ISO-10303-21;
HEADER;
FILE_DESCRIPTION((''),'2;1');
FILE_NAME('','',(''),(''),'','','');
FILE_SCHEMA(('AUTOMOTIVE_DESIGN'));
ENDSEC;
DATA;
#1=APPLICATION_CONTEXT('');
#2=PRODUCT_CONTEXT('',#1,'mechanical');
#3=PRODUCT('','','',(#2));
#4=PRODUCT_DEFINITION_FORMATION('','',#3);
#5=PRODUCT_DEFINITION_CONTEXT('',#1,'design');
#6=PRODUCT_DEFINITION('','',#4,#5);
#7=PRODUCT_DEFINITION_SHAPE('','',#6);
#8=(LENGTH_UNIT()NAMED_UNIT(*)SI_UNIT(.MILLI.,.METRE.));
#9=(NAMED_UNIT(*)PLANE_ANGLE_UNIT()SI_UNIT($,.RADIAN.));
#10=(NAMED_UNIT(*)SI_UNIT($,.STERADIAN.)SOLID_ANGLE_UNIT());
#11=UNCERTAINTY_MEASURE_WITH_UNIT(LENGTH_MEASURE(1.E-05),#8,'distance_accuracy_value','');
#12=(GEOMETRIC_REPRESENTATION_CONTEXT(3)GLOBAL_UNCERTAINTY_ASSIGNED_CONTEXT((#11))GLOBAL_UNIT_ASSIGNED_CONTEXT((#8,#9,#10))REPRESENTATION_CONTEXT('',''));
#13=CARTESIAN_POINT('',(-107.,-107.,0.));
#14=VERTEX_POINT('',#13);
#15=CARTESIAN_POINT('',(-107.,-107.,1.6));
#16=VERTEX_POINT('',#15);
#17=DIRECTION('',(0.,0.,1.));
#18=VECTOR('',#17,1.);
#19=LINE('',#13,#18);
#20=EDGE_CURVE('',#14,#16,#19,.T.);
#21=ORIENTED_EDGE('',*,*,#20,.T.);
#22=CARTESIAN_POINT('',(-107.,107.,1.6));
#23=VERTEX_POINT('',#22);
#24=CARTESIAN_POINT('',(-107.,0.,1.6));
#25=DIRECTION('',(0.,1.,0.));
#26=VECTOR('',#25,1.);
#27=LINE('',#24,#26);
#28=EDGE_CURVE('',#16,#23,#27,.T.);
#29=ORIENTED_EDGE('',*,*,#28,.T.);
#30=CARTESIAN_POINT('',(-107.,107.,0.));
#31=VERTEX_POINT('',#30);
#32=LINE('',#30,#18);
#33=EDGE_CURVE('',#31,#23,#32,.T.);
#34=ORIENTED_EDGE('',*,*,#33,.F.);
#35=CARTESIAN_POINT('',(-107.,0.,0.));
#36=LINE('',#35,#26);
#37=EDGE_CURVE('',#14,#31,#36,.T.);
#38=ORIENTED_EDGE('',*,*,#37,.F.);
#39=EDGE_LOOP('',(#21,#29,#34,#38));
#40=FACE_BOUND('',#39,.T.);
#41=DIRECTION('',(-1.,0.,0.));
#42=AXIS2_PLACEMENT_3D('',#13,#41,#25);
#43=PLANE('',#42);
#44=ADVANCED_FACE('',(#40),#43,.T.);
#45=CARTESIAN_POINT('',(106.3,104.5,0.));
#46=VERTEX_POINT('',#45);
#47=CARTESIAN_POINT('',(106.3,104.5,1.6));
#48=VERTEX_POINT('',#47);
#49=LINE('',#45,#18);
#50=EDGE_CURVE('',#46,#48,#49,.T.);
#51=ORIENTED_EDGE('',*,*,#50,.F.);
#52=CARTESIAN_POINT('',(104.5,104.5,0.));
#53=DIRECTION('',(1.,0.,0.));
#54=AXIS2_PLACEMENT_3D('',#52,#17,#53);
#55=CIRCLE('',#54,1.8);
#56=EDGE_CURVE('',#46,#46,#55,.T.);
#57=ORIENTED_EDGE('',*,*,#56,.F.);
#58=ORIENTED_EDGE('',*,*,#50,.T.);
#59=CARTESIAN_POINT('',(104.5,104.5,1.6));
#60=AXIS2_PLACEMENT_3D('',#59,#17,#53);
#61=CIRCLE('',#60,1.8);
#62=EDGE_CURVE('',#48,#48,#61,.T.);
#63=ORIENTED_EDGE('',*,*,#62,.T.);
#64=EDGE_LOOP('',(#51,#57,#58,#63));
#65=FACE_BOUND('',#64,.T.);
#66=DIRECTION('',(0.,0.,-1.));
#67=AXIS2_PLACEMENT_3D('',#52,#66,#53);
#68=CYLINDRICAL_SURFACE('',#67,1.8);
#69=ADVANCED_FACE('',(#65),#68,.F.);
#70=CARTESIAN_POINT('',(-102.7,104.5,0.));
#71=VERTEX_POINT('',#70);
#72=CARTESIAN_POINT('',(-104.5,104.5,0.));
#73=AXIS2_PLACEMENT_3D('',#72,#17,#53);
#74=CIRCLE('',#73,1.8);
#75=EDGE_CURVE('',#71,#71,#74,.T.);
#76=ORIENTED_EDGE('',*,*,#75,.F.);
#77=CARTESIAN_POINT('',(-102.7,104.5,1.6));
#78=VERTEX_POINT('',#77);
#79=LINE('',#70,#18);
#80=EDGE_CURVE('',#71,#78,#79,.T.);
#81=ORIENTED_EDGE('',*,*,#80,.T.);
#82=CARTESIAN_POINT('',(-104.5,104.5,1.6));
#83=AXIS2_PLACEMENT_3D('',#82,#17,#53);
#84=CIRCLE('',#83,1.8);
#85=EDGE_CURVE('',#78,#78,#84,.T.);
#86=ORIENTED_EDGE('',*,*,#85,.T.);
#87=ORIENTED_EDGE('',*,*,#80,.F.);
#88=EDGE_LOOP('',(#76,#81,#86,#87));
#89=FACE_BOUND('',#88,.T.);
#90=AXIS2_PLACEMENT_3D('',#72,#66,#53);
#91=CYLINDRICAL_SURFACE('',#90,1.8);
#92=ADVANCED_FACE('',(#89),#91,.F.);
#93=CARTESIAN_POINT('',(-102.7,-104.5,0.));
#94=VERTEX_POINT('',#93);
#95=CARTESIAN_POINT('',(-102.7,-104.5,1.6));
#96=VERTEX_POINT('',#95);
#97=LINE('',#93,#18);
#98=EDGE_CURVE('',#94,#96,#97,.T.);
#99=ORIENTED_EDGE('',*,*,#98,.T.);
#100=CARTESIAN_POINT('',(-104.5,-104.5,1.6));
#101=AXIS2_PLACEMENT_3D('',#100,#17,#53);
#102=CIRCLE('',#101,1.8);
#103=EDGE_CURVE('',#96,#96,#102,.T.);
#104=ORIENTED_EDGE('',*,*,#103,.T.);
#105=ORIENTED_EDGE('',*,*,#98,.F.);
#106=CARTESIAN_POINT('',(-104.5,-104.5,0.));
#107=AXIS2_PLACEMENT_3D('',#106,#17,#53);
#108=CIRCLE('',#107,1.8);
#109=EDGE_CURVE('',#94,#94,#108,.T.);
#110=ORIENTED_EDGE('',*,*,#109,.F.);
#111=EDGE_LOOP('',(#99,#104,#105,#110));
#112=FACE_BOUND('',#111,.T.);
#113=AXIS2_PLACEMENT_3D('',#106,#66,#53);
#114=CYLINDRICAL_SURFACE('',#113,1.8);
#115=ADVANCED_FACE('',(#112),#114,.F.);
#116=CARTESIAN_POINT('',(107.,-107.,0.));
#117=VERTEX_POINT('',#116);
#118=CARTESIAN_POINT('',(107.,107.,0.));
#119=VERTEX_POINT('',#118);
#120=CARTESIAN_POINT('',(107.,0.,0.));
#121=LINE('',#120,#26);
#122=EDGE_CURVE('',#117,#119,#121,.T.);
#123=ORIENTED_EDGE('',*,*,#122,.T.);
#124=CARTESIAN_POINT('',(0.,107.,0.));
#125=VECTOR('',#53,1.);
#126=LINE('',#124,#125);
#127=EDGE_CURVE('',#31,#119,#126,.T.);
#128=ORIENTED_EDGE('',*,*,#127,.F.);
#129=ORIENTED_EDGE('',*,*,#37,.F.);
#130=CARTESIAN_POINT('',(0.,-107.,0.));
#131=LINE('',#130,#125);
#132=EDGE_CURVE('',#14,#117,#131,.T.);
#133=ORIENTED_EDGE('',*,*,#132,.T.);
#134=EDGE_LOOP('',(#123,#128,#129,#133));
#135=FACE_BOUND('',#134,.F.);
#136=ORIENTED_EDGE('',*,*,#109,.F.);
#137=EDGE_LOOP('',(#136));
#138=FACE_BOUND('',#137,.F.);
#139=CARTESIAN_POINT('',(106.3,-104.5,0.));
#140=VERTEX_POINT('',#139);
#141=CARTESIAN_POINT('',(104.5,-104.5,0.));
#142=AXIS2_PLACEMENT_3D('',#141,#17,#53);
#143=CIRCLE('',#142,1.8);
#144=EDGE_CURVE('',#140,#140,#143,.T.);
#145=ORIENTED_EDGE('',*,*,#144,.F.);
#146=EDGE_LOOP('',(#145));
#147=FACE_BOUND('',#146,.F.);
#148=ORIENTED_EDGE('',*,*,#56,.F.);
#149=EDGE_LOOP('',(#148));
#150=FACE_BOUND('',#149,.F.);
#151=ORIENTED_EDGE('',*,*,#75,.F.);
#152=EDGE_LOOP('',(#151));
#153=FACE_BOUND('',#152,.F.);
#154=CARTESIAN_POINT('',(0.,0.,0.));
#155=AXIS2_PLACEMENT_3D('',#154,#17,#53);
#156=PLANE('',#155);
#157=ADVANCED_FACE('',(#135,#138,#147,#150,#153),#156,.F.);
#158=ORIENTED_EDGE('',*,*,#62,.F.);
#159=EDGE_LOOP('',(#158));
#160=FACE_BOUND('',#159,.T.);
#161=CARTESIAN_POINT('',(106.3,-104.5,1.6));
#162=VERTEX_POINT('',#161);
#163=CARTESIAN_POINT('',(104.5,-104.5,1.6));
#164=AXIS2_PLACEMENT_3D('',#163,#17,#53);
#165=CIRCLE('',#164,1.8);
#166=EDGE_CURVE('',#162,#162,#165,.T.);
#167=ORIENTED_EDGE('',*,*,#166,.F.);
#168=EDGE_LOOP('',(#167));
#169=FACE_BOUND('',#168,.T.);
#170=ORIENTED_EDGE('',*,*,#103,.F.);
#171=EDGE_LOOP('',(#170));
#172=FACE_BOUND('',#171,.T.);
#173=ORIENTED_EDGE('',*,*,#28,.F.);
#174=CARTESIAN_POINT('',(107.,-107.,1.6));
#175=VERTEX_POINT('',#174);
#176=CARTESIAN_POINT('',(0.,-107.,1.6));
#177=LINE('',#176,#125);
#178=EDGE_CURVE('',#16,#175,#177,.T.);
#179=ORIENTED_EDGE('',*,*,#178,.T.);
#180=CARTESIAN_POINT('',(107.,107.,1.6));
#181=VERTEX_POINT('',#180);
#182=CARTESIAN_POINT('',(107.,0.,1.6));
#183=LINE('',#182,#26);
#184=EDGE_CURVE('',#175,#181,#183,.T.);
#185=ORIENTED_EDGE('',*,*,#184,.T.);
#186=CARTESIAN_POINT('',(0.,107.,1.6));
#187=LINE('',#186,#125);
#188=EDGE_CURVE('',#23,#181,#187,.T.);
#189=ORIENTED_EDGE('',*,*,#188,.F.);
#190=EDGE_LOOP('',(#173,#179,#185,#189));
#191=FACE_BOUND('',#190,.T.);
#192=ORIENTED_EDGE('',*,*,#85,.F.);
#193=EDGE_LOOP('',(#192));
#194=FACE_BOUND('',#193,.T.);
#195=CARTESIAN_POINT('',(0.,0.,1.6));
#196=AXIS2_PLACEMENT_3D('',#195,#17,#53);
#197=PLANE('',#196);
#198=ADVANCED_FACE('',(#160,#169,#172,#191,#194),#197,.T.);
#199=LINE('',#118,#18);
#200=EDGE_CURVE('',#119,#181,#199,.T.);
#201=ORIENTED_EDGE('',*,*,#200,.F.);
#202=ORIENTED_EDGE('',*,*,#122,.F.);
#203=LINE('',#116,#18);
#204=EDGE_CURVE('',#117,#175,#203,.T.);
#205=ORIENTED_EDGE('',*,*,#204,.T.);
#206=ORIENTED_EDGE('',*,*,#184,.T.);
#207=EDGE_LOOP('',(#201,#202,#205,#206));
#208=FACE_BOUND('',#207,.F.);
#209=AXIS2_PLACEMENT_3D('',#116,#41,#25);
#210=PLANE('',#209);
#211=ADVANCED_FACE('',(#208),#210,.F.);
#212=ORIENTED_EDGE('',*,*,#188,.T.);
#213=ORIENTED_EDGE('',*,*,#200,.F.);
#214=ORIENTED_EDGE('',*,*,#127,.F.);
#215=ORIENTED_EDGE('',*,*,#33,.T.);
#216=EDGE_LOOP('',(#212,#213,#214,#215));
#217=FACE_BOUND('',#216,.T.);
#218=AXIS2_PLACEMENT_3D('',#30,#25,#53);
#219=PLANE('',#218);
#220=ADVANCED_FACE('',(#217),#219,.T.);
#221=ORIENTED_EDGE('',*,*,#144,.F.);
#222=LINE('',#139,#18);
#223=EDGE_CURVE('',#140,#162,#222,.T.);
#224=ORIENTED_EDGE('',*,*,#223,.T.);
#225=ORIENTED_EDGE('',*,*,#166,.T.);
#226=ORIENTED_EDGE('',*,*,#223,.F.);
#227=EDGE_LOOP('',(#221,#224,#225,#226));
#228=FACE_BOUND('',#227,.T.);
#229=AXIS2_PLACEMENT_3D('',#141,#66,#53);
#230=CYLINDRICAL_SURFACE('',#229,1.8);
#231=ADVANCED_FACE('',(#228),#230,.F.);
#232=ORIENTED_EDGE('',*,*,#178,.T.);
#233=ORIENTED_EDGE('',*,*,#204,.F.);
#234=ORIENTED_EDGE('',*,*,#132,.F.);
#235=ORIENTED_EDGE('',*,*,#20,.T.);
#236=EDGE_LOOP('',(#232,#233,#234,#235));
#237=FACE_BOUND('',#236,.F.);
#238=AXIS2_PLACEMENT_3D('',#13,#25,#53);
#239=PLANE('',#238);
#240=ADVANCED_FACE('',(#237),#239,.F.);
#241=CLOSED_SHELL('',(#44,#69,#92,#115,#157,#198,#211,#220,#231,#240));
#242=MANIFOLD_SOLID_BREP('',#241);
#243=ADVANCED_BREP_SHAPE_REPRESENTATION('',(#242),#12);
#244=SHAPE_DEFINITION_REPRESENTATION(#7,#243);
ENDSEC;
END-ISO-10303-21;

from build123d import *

# Parameters (mm, degrees)
SKETCH_W  = 214
SKETCH_H  = 214
SKETCH_R  = 1.8
PAD_DEPTH = 1.6


with BuildPart() as part:
    # Sketch → Pad (new body)
    with BuildSketch(Plane.XY):
        Rectangle(SKETCH_W, SKETCH_H)
        with Locations((-104.5, 104.5)):
            Circle(SKETCH_R, mode=Mode.SUBTRACT)
        with Locations((104.5, 104.5)):
            Circle(SKETCH_R, mode=Mode.SUBTRACT)
        with Locations((-104.5, -104.5)):
            Circle(SKETCH_R, mode=Mode.SUBTRACT)
        with Locations((104.5, -104.5)):
            Circle(SKETCH_R, mode=Mode.SUBTRACT)
    extrude(amount=PAD_DEPTH)


solid = part.part
